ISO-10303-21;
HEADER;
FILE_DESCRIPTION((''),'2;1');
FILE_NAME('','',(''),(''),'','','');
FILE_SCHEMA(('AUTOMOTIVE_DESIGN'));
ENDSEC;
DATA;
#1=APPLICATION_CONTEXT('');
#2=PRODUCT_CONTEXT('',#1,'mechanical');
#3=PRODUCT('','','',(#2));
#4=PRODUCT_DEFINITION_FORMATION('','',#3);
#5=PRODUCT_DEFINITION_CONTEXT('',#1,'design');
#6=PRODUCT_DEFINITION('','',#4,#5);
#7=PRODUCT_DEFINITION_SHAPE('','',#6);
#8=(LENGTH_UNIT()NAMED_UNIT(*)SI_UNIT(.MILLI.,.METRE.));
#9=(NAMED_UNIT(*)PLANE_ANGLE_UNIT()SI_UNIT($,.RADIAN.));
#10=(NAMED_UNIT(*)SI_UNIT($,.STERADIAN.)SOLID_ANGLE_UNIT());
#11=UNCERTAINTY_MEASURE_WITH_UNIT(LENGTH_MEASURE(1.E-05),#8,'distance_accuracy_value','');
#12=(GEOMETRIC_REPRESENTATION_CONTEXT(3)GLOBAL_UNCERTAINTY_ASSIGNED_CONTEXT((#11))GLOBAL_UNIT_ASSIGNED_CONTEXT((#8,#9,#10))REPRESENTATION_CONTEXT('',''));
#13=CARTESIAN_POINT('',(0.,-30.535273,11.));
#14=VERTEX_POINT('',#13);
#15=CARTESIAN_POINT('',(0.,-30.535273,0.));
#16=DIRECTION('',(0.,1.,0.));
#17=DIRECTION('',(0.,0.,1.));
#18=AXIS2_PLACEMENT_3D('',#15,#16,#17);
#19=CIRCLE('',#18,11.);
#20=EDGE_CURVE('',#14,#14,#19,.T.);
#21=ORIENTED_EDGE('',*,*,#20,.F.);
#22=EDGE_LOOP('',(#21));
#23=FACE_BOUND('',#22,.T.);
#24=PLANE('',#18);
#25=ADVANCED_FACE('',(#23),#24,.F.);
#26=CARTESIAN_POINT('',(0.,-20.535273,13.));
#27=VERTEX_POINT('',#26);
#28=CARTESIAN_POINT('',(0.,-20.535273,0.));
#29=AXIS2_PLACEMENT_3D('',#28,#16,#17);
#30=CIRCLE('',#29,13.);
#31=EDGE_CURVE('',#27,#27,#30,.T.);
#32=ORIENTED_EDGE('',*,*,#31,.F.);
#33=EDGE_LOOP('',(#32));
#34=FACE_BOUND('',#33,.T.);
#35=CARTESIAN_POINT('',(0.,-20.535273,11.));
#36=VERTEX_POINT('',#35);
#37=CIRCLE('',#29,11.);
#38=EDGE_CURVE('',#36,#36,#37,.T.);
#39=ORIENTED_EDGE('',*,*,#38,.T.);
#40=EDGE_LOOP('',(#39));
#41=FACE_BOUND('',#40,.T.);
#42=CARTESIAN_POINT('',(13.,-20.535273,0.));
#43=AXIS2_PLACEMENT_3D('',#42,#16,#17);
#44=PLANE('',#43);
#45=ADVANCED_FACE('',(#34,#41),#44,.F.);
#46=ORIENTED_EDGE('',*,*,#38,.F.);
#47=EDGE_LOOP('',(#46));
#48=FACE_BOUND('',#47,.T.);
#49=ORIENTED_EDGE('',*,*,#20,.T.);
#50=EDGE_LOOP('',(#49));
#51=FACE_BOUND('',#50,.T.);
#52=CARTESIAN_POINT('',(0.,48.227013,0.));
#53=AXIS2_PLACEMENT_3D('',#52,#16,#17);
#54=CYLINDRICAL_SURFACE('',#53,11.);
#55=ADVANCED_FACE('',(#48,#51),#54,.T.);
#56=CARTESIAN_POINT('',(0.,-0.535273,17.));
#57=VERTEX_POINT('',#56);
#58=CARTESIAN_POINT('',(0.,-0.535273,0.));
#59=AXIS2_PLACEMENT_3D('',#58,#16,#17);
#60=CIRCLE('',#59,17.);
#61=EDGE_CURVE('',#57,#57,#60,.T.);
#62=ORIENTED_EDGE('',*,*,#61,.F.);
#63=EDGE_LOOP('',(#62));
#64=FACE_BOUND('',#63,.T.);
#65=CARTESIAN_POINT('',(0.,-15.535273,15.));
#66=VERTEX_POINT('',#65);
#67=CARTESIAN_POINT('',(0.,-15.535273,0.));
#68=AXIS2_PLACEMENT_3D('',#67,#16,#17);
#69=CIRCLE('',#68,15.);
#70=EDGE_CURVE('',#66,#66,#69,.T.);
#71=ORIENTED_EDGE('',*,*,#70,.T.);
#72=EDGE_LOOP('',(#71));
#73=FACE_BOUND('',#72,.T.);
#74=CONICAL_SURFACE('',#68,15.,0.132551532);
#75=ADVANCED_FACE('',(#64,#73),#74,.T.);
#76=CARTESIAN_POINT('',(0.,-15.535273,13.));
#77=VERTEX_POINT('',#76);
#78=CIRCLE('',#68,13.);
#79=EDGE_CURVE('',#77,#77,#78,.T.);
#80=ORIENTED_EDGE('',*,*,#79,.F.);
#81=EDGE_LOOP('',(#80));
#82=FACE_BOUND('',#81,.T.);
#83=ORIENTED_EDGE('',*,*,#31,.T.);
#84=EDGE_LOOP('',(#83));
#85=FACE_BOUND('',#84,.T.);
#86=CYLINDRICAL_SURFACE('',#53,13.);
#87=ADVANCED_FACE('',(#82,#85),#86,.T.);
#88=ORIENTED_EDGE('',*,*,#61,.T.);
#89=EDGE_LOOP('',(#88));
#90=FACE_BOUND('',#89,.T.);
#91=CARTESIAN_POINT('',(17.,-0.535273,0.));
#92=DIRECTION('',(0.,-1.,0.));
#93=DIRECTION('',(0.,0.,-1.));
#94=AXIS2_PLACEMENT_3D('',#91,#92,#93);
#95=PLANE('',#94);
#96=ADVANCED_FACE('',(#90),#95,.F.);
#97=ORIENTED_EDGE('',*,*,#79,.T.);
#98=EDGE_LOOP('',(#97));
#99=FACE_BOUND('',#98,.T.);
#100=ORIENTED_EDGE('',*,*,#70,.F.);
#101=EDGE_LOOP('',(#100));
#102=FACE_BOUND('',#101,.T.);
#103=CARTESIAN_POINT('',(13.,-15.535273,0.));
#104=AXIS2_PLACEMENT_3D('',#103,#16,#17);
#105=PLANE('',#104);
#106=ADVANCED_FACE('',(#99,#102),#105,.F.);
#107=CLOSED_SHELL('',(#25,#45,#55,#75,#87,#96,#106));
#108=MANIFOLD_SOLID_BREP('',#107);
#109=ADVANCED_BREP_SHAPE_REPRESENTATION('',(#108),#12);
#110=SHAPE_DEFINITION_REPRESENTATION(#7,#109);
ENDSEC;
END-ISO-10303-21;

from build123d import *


with BuildPart() as part:
    # Esquisse1 → Révolution1 (revolve)
    with BuildSketch(Plane.XY):
        Polygon((0, -30.535272727), (11, -30.535272727), (11, -20.535272727), (13, -20.535272727), (13, -15.535272727), (15, -15.535272727), (17, -0.535272727), (0, -0.535272727), align=None)
    revolve(axis=Axis((0, 48.227012987, 0), (0, -1, 0)))


solid = part.part
